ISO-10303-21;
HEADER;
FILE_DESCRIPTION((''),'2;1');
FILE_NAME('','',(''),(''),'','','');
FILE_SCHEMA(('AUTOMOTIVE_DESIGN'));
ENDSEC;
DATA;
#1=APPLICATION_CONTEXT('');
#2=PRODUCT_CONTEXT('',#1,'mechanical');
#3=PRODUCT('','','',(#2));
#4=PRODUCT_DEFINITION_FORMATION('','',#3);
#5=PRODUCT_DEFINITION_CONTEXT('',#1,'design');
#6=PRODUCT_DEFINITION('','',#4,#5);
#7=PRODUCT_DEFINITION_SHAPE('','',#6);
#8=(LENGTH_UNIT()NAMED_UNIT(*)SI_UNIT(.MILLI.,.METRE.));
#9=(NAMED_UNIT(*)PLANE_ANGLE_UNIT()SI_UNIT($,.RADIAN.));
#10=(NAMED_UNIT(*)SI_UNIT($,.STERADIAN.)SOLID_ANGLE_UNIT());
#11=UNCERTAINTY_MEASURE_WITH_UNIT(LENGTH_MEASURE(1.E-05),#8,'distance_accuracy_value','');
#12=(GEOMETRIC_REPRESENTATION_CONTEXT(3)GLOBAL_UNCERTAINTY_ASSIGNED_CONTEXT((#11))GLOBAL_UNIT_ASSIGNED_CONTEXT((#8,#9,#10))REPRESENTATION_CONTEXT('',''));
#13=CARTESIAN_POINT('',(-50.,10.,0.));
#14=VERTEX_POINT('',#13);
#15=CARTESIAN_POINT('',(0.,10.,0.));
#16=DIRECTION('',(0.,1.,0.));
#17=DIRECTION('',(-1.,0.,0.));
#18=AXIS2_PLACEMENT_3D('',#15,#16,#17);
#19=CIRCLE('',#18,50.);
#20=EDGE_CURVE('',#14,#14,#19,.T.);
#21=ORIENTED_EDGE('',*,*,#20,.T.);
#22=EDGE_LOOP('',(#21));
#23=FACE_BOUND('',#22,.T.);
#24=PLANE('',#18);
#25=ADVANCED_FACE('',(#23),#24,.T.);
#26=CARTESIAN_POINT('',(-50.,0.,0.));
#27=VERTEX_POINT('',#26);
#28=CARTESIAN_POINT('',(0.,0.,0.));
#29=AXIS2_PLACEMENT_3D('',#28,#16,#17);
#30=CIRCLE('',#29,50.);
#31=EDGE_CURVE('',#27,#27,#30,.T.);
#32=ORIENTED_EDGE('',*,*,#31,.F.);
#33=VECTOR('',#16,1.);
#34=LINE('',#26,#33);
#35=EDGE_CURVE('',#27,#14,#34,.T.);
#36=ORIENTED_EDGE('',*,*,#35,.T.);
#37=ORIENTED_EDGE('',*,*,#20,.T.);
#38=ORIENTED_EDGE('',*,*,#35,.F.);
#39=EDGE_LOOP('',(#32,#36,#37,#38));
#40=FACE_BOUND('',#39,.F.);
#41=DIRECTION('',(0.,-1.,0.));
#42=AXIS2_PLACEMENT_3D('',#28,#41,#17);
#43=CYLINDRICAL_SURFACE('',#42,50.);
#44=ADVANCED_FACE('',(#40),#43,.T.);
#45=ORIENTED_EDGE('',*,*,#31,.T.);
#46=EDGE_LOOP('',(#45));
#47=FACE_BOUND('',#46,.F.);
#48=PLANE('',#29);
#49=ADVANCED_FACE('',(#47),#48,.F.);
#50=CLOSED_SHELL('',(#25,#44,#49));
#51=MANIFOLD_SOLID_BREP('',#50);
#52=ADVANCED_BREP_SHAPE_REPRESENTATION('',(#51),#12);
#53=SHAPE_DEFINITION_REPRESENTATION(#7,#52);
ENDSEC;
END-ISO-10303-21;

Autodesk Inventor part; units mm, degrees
ref_plane "YZ Plane" through (0, 0, 0) normal (1, 0, 0) x (0, 1, 0)
ref_plane "XZ Plane" through (0, 0, 0) normal (0, 1, 0) x (-1, 0, 0)
ref_plane "XY Plane" through (0, 0, 0) normal (0, 0, 1) x (1, 0, 0)
sketch "Sketch1" plane through (0, 0, 0) normal (0, 1, 0) x (-1, 0, 0)
  circle A0 centre (0, 0) radius 50
  dimension "d0" = 100
extrude "Extrusion1" add sketch "Sketch1" along normal blind 10
properties part number "Lid"
